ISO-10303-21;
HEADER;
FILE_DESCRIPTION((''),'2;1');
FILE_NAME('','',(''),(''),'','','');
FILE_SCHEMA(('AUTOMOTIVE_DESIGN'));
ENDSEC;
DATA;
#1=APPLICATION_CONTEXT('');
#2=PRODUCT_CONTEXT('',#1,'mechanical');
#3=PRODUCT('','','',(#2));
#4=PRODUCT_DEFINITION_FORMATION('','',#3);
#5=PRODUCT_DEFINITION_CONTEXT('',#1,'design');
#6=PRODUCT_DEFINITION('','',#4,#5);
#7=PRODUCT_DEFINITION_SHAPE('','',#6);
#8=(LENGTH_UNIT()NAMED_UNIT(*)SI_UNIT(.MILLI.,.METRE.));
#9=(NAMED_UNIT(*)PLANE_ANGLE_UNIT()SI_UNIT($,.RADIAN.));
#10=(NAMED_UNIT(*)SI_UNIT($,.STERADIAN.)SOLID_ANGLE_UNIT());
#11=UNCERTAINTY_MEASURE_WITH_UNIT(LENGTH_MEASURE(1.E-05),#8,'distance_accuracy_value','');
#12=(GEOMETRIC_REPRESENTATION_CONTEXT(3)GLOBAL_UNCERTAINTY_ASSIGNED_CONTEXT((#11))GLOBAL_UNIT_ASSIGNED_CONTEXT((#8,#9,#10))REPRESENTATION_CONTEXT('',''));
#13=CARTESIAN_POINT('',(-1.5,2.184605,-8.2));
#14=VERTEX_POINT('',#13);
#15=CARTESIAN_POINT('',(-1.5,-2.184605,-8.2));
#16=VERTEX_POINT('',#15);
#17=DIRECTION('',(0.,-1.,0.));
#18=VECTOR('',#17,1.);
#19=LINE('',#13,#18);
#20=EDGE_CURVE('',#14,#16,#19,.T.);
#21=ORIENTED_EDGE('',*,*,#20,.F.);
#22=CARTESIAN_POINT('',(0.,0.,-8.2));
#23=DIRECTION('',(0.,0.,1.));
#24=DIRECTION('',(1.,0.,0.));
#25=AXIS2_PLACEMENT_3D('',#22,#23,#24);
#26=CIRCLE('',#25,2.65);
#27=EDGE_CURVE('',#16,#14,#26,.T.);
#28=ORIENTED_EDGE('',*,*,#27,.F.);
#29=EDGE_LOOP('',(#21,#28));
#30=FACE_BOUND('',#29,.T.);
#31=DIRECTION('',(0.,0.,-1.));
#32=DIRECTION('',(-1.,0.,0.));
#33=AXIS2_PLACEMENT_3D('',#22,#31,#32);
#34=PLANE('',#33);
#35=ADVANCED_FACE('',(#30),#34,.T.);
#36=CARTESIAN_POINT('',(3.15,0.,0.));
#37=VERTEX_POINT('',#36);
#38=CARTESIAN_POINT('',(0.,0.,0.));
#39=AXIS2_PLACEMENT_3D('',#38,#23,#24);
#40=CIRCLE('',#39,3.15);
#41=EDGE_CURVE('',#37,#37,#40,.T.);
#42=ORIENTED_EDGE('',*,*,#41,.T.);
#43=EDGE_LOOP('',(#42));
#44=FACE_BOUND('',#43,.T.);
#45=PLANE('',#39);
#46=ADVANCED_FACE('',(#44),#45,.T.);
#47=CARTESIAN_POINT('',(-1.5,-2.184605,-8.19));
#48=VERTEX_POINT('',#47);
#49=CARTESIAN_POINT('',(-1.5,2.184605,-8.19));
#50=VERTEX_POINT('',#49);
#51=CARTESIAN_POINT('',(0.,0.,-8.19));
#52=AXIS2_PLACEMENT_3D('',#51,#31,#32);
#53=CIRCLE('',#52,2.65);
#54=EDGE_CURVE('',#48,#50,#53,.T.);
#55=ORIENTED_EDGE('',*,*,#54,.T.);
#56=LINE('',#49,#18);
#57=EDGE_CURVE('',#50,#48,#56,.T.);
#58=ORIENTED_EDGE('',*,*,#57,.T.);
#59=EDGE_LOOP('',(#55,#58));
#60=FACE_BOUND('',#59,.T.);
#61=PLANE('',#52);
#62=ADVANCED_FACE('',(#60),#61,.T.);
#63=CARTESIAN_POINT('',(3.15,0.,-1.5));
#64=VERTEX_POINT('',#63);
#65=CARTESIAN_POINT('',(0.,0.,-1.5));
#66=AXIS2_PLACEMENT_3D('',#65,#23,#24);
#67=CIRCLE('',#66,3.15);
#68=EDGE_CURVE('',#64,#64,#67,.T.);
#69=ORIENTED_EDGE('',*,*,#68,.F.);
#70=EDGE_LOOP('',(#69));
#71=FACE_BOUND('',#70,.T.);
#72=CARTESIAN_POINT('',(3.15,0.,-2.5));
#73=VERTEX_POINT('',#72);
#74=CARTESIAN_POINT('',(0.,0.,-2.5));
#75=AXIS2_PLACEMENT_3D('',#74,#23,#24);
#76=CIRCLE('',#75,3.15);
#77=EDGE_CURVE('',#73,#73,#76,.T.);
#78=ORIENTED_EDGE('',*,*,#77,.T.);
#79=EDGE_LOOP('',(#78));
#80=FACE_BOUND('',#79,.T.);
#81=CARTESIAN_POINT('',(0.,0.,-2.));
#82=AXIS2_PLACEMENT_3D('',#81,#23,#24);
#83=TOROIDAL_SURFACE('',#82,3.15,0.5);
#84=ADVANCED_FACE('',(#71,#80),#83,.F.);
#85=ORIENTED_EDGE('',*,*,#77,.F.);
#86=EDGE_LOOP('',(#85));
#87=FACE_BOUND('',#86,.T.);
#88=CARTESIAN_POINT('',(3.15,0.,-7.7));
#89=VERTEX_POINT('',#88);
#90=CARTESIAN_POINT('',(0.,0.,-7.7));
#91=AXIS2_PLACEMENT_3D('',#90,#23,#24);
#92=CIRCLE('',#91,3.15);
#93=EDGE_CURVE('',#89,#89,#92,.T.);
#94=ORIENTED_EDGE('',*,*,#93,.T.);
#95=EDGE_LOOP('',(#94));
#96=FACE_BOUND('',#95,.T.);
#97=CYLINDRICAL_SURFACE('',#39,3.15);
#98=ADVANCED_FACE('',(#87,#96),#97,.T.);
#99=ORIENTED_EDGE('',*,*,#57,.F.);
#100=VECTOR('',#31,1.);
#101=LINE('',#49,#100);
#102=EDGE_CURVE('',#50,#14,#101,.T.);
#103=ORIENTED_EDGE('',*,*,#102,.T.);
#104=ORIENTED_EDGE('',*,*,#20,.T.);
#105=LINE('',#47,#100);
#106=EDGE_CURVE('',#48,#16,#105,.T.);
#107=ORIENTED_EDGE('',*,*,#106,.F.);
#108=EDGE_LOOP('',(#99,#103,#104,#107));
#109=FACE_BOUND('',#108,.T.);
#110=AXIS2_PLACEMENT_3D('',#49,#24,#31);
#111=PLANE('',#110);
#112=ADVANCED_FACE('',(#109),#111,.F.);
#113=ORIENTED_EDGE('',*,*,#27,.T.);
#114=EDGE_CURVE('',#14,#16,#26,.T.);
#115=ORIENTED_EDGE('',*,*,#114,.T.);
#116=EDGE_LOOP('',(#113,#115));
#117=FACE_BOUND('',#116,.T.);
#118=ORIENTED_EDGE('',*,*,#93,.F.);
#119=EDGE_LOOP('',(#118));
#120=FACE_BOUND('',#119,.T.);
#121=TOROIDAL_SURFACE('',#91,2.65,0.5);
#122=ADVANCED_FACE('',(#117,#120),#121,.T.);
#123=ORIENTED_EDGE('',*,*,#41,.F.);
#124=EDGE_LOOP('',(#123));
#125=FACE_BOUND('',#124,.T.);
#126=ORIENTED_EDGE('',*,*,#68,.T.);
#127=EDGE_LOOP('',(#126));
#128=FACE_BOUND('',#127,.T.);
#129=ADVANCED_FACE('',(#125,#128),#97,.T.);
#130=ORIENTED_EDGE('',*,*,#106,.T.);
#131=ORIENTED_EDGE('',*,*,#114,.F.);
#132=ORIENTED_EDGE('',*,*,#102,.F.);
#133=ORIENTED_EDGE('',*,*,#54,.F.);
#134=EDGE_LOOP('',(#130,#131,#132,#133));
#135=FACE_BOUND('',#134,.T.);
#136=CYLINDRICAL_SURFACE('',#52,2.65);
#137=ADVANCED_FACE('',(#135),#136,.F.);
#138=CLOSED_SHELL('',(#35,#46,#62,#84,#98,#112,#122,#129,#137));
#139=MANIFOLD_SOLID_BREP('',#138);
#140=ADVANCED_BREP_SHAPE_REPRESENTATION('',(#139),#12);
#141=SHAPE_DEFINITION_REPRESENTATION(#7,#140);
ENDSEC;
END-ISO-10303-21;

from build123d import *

# Parameters (mm, degrees)
CUT_EXTRUDE1_DEPTH = 0.01


with BuildPart() as part:
    # Sketch1 → Revolve1 (revolve)
    with BuildSketch(Plane(origin=(0, 0, 0), x_dir=(1, 0, 0), z_dir=(0, 1, 0))):
        with BuildLine():
            Line((0, 0), (3.15, 0))
            Line((3.15, 0), (3.15, 1.5))
            ThreePointArc((3.15, 1.5), (2.65, 2), (3.15, 2.5))
            Line((3.15, 2.5), (3.15, 7.7))
            ThreePointArc((3.15, 7.7), (3.003553391, 8.053553391), (2.65, 8.2))
            Line((2.65, 8.2), (0, 8.2))
            Line((0, 8.2), (0, 0))
        make_face()
    revolve(axis=Axis((0, 0, 0), (0, 0, -1)))

    # Sketch2 → Cut-Extrude1 (cut)
    with BuildSketch(Plane(origin=(0, 0, -8.2), x_dir=(-1, 0, 0), z_dir=(0, 0, -1))):
        with BuildLine():
            Line((1.5, 2.184605227), (1.5, -2.184605227))
            ThreePointArc((1.5, -2.184605227), (2.65, 0), (1.5, 2.184605227))
        make_face()
    extrude(amount=-CUT_EXTRUDE1_DEPTH, mode=Mode.SUBTRACT)


solid = part.part
